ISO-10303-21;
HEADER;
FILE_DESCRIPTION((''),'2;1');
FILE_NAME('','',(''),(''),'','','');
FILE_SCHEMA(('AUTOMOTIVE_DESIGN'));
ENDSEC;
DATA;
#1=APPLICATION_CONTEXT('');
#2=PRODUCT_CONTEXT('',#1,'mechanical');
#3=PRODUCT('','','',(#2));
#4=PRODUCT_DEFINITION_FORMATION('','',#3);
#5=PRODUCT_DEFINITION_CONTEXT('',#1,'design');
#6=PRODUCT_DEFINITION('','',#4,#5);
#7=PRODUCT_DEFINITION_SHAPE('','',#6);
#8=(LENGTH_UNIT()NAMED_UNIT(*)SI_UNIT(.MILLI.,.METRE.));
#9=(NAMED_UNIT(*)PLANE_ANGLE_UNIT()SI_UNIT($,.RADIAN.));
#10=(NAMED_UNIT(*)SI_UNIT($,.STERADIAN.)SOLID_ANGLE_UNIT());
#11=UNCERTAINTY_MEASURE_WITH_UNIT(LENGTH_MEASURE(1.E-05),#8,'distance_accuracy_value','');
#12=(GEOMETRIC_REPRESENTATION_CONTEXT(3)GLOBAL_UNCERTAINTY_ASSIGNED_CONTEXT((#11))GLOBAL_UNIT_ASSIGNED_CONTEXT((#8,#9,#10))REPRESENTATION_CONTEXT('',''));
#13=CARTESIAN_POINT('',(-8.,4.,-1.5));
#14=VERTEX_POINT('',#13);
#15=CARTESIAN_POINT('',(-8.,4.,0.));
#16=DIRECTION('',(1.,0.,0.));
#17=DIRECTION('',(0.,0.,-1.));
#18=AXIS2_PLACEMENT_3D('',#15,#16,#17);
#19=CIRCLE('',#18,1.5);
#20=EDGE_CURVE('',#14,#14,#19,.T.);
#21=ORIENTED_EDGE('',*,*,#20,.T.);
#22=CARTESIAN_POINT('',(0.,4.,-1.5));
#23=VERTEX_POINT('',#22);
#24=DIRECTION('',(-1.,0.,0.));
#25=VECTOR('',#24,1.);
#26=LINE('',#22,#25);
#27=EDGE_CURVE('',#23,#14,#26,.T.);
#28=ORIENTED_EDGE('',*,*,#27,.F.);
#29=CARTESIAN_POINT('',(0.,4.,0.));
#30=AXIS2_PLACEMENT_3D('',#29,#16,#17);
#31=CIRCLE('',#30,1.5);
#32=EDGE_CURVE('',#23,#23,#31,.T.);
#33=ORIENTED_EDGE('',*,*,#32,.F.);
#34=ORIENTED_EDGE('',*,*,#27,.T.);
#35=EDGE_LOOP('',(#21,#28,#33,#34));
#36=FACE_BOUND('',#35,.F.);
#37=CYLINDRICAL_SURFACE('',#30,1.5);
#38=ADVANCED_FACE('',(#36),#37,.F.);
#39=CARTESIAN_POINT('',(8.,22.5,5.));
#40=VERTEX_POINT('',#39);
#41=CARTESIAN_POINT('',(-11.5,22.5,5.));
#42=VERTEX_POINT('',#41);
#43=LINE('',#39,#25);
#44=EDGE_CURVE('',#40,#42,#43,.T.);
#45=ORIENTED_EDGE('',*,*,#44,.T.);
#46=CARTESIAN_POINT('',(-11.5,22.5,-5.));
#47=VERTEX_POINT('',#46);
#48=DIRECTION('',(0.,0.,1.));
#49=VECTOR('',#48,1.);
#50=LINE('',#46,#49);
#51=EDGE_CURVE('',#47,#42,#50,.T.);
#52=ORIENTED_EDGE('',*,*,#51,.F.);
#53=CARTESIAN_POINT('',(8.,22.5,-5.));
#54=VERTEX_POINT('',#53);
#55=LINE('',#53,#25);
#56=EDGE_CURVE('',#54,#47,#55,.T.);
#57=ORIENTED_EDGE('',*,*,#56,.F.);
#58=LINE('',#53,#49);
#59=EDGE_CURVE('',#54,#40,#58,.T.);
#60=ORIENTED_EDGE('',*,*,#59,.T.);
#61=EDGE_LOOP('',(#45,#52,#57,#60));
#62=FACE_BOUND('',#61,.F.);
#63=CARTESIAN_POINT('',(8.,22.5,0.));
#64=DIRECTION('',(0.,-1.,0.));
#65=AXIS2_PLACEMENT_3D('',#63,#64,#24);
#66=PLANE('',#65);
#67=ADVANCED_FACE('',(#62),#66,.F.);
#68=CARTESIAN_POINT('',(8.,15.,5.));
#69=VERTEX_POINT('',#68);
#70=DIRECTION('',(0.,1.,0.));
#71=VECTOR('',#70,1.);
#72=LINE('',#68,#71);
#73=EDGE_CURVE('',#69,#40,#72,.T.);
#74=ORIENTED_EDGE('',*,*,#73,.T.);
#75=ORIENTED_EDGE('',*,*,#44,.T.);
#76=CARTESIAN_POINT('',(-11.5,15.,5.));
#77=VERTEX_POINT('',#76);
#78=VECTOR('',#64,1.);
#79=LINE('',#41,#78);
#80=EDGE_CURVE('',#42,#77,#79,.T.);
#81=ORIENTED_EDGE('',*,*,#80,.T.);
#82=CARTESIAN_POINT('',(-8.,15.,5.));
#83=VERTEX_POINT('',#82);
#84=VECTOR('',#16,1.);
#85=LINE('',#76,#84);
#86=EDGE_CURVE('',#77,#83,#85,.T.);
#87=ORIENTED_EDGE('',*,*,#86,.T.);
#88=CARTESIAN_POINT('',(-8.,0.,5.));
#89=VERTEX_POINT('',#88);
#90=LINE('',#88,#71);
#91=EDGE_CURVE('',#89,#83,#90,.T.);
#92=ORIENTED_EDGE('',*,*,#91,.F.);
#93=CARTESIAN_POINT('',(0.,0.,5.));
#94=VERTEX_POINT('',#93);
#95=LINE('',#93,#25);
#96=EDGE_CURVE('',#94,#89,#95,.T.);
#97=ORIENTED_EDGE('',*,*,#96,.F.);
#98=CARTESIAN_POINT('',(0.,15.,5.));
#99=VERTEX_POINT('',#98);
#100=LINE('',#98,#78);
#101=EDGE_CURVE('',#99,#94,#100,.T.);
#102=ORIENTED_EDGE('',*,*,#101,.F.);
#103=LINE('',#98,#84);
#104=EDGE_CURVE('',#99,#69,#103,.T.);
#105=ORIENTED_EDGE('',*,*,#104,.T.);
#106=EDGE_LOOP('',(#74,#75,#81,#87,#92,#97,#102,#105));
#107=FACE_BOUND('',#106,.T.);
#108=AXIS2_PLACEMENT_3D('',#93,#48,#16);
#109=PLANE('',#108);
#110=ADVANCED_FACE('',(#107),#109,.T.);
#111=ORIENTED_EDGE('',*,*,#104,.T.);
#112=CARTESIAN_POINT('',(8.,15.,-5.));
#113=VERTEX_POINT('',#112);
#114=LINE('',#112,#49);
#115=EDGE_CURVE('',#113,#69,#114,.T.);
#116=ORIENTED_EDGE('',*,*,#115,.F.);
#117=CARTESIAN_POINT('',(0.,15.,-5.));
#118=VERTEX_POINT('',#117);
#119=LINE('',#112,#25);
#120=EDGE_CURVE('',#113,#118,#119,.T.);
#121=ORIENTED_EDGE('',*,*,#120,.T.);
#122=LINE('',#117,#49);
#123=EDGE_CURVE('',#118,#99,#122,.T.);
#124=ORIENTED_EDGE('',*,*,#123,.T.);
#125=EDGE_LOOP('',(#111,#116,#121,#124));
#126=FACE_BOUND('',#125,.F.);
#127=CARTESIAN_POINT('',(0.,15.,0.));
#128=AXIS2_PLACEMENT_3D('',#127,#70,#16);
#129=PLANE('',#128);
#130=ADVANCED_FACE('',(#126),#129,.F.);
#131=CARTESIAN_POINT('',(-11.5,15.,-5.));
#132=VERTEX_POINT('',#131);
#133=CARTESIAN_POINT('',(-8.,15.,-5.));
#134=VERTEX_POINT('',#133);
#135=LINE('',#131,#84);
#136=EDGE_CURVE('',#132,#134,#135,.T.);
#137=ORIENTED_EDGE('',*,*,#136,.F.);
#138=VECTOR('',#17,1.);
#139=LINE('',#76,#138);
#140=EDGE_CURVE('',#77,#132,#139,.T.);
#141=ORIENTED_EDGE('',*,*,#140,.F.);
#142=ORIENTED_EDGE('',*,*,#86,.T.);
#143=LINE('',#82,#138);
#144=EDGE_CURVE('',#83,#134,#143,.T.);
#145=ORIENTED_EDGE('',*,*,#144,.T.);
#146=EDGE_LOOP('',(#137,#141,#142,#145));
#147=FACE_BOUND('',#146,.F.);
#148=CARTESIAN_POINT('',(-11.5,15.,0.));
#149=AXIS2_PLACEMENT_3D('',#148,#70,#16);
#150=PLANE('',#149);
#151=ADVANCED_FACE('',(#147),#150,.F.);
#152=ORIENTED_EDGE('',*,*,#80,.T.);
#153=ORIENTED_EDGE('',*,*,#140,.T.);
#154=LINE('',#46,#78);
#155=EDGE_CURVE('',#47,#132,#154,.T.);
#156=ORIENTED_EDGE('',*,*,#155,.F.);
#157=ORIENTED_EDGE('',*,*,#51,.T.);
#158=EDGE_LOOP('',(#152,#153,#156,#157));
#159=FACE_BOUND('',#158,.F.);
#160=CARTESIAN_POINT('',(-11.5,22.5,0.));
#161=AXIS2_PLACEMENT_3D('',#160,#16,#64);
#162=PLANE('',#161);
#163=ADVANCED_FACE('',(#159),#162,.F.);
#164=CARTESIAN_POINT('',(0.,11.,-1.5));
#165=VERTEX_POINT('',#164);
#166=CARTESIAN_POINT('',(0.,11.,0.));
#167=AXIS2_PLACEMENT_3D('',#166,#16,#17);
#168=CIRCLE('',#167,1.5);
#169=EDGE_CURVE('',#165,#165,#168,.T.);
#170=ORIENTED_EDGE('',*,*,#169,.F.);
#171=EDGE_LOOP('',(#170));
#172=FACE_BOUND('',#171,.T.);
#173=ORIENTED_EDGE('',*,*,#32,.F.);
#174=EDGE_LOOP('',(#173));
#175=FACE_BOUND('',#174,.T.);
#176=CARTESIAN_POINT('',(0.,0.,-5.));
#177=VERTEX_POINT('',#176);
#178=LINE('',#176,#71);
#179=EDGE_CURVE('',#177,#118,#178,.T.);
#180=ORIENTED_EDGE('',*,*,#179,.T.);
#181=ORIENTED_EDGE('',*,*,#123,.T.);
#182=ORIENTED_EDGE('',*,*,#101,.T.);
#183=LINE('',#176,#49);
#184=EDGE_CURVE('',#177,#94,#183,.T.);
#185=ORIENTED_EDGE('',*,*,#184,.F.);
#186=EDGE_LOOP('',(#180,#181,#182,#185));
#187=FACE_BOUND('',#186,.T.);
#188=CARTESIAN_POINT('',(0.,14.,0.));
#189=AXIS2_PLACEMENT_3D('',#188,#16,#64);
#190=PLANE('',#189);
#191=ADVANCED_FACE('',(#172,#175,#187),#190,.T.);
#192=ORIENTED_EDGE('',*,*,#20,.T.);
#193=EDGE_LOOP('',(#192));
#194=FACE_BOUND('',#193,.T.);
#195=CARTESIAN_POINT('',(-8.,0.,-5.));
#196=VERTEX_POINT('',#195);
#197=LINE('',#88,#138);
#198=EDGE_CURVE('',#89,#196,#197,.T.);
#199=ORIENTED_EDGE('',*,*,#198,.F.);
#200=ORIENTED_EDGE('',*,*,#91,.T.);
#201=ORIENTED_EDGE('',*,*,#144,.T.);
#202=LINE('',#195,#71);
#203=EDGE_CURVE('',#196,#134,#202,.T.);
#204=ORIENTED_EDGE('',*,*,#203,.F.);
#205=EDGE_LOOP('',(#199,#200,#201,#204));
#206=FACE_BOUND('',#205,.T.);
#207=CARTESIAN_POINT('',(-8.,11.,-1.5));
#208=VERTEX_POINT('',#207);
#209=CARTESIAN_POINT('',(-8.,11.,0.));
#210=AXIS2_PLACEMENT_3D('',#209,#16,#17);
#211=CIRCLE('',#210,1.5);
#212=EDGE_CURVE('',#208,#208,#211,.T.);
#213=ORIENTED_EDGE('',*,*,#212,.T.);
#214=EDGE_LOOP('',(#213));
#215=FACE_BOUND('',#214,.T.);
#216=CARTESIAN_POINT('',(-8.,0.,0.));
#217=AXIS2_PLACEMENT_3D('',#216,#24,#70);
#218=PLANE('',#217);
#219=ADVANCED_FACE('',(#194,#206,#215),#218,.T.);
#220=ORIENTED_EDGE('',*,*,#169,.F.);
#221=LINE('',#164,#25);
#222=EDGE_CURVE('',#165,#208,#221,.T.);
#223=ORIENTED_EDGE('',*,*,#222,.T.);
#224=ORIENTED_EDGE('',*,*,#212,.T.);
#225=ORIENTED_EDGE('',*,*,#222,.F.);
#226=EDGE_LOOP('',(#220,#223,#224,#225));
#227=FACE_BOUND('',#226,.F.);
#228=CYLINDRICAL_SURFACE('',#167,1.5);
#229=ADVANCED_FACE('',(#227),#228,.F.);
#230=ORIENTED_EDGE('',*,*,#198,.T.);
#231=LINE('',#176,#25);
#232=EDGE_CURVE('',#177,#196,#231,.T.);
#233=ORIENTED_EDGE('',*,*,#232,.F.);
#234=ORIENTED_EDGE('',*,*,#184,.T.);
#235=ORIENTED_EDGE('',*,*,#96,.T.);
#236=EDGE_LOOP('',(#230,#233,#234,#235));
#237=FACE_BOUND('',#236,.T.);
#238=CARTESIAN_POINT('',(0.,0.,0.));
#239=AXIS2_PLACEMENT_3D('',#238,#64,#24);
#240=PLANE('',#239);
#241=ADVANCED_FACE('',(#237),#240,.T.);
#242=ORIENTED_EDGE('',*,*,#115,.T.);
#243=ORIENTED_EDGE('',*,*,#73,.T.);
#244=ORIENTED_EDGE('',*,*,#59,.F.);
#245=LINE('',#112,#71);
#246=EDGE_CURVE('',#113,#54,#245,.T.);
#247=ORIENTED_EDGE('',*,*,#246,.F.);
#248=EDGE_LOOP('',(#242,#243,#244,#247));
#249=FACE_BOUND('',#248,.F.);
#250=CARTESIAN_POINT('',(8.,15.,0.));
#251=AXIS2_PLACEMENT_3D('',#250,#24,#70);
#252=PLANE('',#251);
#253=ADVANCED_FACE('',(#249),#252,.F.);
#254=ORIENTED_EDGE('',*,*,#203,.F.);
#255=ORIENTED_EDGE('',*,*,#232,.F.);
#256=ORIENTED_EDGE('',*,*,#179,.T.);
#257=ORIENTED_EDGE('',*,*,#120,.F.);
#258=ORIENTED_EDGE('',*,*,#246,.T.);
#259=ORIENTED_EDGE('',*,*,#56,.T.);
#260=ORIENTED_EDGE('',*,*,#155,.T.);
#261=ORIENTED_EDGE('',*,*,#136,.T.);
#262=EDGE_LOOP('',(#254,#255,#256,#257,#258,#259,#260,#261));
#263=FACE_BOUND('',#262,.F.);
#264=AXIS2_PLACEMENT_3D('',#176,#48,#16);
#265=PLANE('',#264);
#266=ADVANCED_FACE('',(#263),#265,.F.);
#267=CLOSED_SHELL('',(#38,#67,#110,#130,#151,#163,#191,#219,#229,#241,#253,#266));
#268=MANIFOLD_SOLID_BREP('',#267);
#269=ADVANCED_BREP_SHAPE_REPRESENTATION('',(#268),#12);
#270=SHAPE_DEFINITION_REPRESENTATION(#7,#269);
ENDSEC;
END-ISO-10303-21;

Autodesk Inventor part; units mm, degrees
ref_plane "YZ Plane" through (0, 0, 0) normal (1, 0, 0) x (0, 1, 0)
ref_plane "XZ Plane" through (0, 0, 0) normal (0, 1, 0) x (-1, 0, 0)
ref_plane "XY Plane" through (0, 0, 0) normal (0, 0, 1) x (1, 0, 0)
sketch "Sketch1" plane through (0, 0, 0) normal (0, 0, 1) x (1, 0, 0)
  line L0 (0, 0) -> (-8, 0)
  line L1 (-8, 0) -> (-8, 15)
  line L2 (-8, 15) -> (0, 15)
  line L3 (0, 15) -> (0, 0)
  line L4 (8, 22.5) -> (-11.5, 22.5)
  line L5 (-11.5, 22.5) -> (-11.5, 15)
  line L6 (-11.5, 15) -> (8, 15)
  line L7 (8, 15) -> (8, 22.5)
  line L8 (0, 15) -> (1, 15)
  line L9 (0, 14) -> (0, 15)
  point P0 (0.5, 15)
  point P1 (0.5, 14)
  dimension "d0" = 15
  dimension "d1" = 1
  dimension "d3" = 19.5
  dimension "d4" = 3.5
  dimension "d5" = 8
  dimension "d6" = 7.5
extrude "Extrusion1" add sketch "Sketch1" along normal mid plane 10
sketch "Sketch2" plane through (0, 0, 5) normal (1, 0, 0) x (0, 0, -1)
  circle A0 centre (5, 4) radius 1.5
  circle A1 centre (5, 11) radius 1.5
  line L0 (10, 14) -> (0, 14) projected
  line L1 (10, 0) -> (0, 0) projected
  line L2 (10, 15) -> (0, 15) projected
  point P0 (5, 0)
  point P1 (5, 0)
  point P2 (5, 0)
  dimension "d9" = 3
  dimension "d10" = 3
  dimension "d12" = 7
  dimension "d19" = 4
extrude "Extrusion2" cut sketch "Sketch2" against normal through all
thread "Thread1" size "M3x0.5" class "6H" standard "ANSI Metric M Profile" full length
thread "Thread2" size "M3x0.5" class "6H" standard "ANSI Metric M Profile" full length
properties part number "Connector2"
